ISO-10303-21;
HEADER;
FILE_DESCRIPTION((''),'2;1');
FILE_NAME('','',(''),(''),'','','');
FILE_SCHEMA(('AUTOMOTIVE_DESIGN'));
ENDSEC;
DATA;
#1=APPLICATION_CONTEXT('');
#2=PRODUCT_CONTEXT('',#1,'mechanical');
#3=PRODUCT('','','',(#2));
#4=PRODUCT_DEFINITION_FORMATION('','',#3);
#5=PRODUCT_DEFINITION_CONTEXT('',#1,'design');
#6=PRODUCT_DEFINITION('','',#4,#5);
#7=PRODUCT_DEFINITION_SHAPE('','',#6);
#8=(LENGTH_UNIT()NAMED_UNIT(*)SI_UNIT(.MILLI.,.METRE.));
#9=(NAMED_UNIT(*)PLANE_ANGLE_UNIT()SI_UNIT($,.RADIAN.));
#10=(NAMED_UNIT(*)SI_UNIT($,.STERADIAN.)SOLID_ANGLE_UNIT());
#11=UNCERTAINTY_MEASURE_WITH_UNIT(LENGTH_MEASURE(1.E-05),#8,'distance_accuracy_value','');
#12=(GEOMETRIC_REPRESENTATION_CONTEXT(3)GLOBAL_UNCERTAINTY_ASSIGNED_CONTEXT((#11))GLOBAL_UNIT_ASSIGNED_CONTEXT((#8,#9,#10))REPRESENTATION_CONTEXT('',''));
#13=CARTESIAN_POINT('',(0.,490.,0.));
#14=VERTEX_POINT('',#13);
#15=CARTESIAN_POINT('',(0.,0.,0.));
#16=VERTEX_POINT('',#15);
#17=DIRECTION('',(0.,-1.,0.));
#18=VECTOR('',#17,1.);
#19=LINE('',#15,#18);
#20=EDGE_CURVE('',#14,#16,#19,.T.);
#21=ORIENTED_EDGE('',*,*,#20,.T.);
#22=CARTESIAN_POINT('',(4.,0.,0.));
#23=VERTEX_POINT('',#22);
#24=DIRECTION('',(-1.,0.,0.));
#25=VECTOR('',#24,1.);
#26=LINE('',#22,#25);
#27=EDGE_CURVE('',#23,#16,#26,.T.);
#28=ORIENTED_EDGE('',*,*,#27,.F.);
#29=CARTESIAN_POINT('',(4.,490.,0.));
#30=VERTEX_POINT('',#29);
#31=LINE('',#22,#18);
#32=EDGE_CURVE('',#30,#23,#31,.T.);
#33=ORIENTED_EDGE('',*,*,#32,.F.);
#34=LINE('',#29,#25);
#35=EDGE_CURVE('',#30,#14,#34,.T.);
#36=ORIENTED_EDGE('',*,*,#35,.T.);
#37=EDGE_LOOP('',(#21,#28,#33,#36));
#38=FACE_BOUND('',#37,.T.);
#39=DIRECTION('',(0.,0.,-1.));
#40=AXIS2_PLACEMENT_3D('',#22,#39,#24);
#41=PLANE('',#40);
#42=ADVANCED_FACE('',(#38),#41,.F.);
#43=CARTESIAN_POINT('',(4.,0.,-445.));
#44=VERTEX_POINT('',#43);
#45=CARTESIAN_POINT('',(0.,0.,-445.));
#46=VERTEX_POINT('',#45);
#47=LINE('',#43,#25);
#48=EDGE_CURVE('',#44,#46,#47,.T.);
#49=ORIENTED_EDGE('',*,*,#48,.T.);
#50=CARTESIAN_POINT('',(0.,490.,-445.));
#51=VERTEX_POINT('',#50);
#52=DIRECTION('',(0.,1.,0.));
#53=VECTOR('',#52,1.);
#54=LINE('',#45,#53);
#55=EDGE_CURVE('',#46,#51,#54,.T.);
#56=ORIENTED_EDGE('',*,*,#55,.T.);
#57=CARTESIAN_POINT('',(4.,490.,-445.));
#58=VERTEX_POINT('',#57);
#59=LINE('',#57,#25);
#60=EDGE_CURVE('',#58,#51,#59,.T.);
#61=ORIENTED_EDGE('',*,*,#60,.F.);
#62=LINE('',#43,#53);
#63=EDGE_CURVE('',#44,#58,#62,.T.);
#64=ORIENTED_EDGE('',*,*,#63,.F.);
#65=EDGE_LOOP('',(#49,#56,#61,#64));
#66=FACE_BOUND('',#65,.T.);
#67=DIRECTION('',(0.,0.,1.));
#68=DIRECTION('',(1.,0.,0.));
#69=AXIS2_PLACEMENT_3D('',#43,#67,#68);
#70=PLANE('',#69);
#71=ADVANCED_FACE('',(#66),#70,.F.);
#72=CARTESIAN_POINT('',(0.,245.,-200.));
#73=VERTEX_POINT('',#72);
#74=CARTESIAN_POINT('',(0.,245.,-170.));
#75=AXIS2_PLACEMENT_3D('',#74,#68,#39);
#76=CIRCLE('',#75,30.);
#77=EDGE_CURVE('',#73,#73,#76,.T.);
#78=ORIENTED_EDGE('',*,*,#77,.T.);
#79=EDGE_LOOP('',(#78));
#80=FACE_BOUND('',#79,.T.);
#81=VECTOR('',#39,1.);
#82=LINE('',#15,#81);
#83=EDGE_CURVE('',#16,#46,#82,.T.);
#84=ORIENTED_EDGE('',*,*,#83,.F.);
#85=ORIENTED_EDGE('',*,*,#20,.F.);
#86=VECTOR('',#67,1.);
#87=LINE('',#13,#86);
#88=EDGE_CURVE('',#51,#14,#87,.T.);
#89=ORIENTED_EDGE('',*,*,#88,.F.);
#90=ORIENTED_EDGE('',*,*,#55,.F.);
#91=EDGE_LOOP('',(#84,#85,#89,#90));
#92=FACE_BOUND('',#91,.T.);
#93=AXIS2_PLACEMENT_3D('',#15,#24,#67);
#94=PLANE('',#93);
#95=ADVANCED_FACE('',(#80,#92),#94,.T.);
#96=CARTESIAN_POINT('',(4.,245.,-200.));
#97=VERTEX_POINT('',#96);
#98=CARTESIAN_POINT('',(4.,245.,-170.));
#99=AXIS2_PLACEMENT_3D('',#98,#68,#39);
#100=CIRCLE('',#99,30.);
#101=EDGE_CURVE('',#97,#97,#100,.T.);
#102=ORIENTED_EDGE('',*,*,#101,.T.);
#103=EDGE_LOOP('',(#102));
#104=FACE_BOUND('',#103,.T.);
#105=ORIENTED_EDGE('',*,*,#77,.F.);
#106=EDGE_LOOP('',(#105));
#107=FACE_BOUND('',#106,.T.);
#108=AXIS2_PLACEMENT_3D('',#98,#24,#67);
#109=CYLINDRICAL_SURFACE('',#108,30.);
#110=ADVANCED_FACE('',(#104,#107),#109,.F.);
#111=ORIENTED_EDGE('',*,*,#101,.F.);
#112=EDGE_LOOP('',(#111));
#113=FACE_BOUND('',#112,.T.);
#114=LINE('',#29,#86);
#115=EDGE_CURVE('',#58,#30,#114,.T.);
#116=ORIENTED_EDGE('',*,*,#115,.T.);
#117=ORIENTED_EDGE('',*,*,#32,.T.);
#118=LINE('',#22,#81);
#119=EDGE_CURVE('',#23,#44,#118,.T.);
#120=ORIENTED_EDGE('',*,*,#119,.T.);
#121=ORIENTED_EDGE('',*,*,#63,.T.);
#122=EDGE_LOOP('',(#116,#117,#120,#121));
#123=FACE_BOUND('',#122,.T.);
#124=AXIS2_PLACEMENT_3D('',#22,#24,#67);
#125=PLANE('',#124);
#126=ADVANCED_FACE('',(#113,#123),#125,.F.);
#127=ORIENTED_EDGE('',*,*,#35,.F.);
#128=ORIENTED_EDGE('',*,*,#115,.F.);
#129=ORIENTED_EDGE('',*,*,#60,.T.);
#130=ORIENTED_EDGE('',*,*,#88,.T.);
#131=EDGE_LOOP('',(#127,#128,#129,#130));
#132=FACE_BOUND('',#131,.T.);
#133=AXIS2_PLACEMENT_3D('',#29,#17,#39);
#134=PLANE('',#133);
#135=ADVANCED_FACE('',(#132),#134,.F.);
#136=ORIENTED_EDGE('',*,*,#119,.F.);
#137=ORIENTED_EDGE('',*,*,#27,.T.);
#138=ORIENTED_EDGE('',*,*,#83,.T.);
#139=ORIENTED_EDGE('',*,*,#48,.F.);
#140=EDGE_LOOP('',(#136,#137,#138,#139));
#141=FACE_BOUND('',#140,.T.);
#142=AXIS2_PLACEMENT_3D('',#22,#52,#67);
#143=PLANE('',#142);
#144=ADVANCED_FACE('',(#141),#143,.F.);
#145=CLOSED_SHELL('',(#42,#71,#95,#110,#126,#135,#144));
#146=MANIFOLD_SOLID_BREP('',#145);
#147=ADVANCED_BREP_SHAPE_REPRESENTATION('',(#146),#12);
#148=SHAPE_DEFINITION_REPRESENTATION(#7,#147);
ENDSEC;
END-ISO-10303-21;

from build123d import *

# Parameters (mm, degrees)
SKETCH1_W           = 445
SKETCH1_H           = 490
SKETCH1_R           = 30
BOSS_EXTRUDE1_DEPTH = 4


with BuildPart() as part:
    # Sketch1 → Boss-Extrude1 (new body)
    with BuildSketch(Plane(origin=(0, 0, 0), x_dir=(0, 0, -1), z_dir=(1, 0, 0))):
        with Locations((222.5, 245)):
            Rectangle(SKETCH1_W, SKETCH1_H)
        with Locations((170, 245)):
            Circle(SKETCH1_R, mode=Mode.SUBTRACT)
    extrude(amount=BOSS_EXTRUDE1_DEPTH)


solid = part.part
